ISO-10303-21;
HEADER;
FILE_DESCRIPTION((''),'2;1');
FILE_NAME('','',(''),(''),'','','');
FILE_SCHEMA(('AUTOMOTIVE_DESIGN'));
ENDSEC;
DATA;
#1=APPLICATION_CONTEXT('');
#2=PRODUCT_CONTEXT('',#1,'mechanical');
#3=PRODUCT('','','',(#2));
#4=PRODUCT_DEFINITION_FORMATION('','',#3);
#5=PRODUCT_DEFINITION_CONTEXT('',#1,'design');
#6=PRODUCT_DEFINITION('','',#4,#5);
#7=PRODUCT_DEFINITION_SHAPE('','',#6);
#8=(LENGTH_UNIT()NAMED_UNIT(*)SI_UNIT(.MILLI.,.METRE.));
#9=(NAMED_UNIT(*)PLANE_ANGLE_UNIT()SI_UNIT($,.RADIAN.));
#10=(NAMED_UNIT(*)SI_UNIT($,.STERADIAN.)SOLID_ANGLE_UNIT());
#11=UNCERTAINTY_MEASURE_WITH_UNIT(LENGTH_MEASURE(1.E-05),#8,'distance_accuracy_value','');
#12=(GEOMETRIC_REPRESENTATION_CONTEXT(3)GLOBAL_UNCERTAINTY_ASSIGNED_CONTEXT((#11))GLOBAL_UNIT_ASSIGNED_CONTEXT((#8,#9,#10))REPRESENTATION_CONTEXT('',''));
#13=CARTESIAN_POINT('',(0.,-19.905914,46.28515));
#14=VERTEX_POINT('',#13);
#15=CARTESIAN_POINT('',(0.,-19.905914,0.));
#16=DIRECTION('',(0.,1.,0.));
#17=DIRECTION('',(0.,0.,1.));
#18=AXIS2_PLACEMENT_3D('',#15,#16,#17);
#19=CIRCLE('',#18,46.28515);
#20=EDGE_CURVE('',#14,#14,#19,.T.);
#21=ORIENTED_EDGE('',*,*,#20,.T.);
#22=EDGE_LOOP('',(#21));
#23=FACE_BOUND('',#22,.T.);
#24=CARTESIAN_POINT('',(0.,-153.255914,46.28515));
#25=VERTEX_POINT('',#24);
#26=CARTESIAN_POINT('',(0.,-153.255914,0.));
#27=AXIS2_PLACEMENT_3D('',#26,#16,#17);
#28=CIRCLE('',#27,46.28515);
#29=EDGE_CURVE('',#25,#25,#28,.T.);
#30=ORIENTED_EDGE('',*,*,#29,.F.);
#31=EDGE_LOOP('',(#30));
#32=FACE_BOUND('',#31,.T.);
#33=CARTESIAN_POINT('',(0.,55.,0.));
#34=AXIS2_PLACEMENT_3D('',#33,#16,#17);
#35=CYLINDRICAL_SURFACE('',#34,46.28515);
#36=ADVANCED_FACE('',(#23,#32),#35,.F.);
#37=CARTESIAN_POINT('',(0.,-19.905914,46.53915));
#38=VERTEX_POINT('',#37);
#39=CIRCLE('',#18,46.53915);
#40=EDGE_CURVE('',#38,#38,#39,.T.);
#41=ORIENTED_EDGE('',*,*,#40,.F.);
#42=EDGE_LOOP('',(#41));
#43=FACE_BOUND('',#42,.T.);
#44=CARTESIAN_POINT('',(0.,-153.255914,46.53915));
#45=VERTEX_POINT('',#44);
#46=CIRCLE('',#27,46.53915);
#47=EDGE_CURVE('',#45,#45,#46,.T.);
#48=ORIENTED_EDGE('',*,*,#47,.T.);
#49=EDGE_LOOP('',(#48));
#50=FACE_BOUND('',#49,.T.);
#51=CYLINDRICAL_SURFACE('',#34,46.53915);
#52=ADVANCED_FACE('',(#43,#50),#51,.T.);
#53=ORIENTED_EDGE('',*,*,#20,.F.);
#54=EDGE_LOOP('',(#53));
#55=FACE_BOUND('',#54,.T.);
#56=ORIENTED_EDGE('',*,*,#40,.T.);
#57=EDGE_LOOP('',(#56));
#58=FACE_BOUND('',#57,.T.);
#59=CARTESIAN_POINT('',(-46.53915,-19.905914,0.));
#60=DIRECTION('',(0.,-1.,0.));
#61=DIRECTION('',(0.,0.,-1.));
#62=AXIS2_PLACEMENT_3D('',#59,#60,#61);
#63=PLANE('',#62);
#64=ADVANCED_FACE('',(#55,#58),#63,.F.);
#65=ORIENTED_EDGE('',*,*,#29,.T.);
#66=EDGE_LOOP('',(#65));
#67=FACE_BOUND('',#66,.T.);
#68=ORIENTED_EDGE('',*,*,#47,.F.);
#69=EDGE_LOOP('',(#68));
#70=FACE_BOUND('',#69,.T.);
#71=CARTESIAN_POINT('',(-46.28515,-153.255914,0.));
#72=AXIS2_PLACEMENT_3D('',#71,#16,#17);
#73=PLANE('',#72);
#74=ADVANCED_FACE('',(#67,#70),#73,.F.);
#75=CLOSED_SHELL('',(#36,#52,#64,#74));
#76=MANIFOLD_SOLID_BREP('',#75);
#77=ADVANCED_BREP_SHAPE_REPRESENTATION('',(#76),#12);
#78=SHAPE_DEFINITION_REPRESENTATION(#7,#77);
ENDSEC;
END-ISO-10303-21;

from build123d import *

# Parameters (mm, degrees)
SKETCH1_W = 0.254
SKETCH1_H = 133.35


with BuildPart() as part:
    # Sketch1 → Revolve-Thin1 (revolve)
    with BuildSketch(Plane.XY):
        with Locations((-46.41215, -86.580914232)):
            Rectangle(SKETCH1_W, SKETCH1_H)
    revolve(axis=Axis((0, 55, 0), (0, -1, 0)))


solid = part.part
